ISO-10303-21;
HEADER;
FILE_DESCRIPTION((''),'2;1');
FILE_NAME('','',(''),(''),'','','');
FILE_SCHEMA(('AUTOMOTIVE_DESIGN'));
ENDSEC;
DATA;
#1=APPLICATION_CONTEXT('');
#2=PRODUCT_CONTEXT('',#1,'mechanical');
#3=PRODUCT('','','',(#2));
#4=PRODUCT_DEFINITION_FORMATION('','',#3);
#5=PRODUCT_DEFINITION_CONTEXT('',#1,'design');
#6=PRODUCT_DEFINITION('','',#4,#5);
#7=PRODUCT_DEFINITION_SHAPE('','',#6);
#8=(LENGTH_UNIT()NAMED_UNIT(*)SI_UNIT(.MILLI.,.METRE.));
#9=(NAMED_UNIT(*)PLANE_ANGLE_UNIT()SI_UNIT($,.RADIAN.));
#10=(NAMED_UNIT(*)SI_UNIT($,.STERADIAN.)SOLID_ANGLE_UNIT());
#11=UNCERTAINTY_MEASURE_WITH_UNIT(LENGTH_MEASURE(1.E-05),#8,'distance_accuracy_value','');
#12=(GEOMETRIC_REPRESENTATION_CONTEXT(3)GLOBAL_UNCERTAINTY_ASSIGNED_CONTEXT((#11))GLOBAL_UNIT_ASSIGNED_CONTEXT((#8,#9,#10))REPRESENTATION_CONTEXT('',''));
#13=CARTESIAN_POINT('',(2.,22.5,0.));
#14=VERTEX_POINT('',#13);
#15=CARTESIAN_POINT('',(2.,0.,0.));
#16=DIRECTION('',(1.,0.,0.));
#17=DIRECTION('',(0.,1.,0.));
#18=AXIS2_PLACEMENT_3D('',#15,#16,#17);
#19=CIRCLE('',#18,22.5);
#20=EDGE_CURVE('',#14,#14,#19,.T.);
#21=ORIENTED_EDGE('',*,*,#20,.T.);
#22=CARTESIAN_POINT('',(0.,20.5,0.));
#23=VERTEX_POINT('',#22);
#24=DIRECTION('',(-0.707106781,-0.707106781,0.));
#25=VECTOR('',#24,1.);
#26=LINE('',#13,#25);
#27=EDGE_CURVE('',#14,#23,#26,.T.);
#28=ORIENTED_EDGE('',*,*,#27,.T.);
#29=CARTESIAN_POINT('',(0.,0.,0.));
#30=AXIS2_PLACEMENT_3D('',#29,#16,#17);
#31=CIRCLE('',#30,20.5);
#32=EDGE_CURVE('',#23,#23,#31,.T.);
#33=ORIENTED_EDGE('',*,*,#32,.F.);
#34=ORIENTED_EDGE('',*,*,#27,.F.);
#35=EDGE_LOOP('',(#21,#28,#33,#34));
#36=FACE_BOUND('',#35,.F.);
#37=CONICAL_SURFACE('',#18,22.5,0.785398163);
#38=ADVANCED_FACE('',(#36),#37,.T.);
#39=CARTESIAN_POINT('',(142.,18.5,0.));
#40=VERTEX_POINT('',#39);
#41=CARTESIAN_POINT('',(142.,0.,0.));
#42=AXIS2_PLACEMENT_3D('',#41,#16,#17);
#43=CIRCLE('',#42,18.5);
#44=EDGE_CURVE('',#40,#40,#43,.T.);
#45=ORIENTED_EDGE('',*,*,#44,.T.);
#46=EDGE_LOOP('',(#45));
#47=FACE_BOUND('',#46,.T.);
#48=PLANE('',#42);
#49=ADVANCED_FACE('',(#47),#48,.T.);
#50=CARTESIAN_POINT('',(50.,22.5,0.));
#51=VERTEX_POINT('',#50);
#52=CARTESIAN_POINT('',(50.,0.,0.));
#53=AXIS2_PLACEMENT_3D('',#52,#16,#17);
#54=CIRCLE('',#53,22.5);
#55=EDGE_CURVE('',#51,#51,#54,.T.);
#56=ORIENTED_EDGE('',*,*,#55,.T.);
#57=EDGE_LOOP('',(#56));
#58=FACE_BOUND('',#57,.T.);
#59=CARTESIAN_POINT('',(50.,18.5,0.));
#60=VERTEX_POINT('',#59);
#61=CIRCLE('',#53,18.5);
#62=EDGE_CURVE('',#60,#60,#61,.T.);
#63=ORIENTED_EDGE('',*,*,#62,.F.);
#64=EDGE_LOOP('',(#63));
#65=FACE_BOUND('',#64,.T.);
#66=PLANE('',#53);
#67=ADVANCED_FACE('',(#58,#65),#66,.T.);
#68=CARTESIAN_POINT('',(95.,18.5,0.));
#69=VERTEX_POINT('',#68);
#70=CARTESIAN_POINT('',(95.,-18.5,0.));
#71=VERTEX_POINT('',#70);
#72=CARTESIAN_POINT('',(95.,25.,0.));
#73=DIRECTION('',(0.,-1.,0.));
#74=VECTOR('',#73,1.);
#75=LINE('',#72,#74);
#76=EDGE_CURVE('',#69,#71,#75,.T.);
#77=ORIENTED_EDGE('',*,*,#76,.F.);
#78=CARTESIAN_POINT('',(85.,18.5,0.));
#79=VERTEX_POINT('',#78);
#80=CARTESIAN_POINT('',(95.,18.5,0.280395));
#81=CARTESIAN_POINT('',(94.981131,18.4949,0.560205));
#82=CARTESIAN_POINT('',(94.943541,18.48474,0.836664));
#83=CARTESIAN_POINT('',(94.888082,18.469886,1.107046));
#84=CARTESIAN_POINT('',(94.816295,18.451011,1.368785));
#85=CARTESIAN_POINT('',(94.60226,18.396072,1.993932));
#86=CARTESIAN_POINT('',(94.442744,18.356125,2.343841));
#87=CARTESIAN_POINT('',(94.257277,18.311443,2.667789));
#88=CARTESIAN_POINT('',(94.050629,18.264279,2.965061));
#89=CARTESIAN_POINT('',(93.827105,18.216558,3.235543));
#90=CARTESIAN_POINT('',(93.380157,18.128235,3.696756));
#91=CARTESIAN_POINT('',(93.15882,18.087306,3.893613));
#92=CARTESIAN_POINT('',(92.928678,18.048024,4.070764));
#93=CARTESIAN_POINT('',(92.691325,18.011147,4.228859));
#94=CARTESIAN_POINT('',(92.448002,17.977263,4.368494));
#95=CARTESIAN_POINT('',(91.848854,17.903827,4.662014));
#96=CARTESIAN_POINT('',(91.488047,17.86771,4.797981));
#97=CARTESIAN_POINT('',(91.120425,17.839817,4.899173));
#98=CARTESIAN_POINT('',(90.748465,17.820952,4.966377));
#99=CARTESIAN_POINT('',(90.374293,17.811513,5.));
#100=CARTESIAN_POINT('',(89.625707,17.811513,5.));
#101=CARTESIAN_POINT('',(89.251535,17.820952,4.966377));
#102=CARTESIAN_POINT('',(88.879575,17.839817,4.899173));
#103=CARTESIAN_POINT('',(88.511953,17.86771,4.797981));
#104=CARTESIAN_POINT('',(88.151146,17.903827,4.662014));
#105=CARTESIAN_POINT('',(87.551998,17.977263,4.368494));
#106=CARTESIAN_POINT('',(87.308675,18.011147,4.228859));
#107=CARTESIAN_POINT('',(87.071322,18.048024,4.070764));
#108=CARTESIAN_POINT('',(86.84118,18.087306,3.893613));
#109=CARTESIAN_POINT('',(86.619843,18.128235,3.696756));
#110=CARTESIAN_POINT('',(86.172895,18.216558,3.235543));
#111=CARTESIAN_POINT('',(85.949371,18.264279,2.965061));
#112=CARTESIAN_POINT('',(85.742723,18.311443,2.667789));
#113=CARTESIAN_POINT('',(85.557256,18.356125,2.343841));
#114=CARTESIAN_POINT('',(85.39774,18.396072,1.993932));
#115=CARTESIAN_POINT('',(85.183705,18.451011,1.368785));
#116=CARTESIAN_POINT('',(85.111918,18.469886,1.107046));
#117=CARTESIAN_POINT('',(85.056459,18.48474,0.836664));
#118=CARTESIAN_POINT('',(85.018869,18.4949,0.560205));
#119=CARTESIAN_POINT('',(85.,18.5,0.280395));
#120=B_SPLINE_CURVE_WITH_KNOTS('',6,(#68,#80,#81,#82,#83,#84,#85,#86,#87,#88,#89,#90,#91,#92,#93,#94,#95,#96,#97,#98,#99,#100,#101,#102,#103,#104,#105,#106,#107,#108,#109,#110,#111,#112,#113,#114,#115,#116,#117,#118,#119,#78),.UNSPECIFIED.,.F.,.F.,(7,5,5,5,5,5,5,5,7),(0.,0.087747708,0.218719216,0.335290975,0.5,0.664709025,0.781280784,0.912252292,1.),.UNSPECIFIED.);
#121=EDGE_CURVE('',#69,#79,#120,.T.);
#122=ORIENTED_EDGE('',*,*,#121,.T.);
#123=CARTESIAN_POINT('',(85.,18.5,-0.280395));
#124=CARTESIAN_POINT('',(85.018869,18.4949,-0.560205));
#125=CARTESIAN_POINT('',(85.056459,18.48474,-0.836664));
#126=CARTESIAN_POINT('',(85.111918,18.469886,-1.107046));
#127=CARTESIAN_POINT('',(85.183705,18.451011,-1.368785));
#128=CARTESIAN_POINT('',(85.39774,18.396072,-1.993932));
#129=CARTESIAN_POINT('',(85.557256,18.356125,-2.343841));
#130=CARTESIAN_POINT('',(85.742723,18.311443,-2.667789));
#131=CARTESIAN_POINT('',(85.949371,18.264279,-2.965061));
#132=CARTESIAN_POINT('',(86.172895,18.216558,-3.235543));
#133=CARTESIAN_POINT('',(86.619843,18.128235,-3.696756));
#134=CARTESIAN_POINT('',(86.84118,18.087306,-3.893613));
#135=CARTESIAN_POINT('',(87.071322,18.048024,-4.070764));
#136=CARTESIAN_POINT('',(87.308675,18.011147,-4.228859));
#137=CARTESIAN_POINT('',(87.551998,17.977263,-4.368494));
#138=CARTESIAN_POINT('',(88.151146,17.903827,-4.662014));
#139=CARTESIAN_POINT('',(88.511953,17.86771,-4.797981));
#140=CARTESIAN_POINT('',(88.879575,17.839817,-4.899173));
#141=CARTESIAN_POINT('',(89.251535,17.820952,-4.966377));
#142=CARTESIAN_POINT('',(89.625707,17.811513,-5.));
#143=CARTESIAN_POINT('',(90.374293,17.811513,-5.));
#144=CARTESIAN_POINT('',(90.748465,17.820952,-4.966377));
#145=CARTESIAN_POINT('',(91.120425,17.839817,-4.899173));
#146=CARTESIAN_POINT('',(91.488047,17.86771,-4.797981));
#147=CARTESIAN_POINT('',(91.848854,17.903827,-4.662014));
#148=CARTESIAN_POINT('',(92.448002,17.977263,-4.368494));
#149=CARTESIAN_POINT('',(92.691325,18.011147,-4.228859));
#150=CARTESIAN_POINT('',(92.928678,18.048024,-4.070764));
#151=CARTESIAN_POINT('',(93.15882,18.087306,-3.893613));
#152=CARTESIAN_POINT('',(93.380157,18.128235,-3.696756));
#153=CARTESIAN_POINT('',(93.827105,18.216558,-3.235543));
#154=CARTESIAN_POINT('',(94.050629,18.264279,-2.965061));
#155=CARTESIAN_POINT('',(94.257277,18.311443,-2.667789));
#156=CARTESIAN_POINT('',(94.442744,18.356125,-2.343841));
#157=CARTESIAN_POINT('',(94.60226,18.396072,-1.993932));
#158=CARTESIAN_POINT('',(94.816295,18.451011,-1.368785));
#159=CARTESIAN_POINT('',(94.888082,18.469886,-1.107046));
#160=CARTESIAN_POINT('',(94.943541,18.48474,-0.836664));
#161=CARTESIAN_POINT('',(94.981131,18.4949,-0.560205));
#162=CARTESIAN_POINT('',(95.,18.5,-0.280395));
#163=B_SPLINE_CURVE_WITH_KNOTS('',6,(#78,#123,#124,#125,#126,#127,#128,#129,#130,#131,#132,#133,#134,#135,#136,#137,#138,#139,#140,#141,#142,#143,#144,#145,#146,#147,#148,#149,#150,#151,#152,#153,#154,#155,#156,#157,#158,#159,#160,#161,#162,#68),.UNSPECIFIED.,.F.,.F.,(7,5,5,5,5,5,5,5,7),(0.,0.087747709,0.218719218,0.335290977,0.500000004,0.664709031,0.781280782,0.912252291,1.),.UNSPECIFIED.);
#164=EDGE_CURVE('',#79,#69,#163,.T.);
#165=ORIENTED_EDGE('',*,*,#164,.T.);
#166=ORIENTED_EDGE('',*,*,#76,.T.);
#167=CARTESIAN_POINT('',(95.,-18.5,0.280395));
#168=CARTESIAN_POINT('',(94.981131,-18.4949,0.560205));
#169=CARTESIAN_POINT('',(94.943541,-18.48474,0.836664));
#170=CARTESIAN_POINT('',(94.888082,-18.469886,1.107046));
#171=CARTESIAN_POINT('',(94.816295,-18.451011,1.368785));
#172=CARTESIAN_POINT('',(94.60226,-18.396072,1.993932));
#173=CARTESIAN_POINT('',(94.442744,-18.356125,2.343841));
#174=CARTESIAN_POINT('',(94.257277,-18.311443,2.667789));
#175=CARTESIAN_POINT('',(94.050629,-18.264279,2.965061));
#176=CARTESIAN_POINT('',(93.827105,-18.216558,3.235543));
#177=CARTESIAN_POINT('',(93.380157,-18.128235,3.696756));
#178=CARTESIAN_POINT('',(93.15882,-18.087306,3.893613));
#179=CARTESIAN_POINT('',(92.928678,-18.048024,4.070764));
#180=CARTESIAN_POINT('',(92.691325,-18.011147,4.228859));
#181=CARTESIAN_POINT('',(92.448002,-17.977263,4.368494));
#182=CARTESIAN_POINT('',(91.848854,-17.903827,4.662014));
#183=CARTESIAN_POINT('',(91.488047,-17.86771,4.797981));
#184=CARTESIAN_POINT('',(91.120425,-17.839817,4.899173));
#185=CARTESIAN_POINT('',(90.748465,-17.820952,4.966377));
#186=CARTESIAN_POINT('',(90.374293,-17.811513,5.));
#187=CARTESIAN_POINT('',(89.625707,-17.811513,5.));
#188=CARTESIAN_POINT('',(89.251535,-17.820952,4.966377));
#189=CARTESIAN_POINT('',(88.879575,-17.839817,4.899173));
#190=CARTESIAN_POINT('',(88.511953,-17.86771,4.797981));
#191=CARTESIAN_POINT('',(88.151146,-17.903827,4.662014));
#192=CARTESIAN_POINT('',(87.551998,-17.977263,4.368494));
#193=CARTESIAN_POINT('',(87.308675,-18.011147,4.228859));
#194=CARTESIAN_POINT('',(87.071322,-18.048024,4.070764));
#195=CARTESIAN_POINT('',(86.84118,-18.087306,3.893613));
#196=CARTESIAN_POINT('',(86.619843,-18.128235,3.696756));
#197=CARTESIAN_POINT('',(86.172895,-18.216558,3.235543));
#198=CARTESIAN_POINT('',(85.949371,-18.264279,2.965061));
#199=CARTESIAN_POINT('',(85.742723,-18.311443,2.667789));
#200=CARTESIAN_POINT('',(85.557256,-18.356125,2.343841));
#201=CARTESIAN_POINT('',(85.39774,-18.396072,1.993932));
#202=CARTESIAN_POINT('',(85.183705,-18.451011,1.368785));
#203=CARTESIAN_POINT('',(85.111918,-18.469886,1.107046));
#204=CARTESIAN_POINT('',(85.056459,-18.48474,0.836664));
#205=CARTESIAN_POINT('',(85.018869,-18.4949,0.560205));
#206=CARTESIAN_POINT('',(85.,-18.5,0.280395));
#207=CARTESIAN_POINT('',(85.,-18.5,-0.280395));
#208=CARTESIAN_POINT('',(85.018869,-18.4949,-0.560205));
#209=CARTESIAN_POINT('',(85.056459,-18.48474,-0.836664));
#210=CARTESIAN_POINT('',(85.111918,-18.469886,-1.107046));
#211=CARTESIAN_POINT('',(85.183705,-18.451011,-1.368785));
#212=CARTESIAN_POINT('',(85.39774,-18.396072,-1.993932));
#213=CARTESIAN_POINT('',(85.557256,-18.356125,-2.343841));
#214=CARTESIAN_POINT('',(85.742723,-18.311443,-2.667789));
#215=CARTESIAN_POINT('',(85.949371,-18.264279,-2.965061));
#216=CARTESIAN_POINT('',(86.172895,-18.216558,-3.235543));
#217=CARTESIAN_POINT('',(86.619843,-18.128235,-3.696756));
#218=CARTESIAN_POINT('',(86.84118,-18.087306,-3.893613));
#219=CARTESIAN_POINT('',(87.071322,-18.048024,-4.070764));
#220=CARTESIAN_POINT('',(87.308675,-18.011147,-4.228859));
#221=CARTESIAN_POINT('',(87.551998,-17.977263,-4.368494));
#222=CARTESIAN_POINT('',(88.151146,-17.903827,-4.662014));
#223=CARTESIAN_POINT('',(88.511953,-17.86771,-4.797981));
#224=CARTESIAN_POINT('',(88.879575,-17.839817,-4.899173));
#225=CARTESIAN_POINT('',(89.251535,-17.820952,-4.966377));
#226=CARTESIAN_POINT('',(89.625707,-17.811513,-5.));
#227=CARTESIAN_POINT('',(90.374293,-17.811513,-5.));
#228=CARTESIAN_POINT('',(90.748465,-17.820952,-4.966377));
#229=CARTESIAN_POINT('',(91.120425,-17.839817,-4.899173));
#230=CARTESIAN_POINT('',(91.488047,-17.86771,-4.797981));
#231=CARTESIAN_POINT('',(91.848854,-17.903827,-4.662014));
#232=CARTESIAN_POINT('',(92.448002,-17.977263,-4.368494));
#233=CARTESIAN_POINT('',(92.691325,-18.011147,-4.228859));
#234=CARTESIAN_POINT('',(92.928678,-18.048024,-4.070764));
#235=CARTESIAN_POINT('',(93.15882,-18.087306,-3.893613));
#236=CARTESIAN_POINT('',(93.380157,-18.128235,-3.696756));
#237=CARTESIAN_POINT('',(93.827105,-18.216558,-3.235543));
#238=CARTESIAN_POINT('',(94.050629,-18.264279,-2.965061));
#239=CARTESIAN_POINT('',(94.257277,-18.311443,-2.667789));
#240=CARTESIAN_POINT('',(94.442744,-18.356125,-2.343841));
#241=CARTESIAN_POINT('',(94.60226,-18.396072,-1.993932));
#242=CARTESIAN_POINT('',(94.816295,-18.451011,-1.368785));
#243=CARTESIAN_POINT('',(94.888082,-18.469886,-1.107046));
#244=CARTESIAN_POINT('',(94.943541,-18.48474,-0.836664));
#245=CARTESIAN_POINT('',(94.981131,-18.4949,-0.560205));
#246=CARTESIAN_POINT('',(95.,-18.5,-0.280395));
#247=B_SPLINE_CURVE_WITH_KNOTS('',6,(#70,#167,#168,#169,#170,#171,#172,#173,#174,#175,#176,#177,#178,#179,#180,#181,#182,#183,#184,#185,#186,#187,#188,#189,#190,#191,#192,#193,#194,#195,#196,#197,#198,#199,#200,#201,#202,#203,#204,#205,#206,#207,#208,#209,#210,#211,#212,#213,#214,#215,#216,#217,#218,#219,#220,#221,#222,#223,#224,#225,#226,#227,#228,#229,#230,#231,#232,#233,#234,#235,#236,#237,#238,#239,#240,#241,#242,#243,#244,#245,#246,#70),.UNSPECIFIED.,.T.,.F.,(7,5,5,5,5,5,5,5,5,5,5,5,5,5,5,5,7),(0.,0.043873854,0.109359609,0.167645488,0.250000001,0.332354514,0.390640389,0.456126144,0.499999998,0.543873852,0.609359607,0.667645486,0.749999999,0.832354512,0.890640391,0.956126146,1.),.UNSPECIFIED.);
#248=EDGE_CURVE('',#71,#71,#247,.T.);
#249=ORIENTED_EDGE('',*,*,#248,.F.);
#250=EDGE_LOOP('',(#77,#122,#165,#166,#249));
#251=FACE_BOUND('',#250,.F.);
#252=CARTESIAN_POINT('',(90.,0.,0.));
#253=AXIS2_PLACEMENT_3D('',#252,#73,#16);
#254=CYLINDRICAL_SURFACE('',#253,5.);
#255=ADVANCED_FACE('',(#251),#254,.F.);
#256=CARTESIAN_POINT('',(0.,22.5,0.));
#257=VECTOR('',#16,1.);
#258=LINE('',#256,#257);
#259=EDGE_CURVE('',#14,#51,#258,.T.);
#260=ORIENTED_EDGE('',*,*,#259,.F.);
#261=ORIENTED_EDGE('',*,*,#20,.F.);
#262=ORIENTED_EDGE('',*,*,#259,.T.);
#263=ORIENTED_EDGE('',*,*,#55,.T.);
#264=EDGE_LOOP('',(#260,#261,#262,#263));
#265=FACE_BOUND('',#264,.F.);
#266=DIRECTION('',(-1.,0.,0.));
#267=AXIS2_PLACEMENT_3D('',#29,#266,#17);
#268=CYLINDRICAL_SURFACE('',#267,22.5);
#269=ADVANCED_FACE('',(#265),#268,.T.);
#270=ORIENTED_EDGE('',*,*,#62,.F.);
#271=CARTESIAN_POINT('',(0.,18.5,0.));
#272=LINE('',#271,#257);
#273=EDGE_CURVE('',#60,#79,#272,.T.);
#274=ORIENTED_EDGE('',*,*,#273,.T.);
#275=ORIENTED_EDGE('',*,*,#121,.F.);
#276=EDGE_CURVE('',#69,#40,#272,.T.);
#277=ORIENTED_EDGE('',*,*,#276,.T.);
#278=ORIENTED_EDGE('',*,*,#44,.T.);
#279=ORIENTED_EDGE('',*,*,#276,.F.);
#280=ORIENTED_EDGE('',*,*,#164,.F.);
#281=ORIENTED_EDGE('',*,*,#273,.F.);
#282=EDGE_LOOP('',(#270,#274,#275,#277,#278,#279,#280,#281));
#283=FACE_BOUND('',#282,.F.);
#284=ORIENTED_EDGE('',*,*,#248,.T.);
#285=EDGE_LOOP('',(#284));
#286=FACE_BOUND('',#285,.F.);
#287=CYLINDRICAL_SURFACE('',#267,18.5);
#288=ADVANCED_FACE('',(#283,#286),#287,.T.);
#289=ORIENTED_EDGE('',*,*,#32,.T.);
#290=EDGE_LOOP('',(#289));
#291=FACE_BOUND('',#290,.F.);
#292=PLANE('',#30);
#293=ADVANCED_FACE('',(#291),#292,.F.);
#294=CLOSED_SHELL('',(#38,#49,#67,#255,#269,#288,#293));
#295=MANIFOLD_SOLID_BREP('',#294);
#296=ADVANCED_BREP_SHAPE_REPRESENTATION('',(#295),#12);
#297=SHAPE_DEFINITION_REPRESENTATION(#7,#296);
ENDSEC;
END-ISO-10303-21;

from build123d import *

# Parameters (mm, degrees)
F0_R     = 18.5
F1_DEPTH = 142
F0_R_2   = 22.5
F2_DEPTH = 50
F3_R     = 5
F4_DEPTH = 25
F5_SIZE  = 2


with BuildPart() as f1:
    # F0 (on Right) → F1 (new body)
    with BuildSketch(Plane.YZ):
        Circle(F0_R)
    extrude(amount=F1_DEPTH)

    # F0 (on Right) → F2 (join)
    with BuildSketch(Plane.YZ):
        Circle(F0_R_2)
        Circle(F0_R, mode=Mode.SUBTRACT)
    extrude(amount=F2_DEPTH)

    # F3 (on Front) → F4 (cut, symmetric)
    with BuildSketch(Plane.XZ):
        with Locations((90, 0)):
            Circle(F3_R)
    extrude(amount=F4_DEPTH, both=True, mode=Mode.SUBTRACT)

    # F5
    f5_edges = [f1.edges().sort_by_distance(p)[0] for p in [
        (0, -22.5, 0),
    ]]
    chamfer(f5_edges, length=F5_SIZE)


solid = f1.part
